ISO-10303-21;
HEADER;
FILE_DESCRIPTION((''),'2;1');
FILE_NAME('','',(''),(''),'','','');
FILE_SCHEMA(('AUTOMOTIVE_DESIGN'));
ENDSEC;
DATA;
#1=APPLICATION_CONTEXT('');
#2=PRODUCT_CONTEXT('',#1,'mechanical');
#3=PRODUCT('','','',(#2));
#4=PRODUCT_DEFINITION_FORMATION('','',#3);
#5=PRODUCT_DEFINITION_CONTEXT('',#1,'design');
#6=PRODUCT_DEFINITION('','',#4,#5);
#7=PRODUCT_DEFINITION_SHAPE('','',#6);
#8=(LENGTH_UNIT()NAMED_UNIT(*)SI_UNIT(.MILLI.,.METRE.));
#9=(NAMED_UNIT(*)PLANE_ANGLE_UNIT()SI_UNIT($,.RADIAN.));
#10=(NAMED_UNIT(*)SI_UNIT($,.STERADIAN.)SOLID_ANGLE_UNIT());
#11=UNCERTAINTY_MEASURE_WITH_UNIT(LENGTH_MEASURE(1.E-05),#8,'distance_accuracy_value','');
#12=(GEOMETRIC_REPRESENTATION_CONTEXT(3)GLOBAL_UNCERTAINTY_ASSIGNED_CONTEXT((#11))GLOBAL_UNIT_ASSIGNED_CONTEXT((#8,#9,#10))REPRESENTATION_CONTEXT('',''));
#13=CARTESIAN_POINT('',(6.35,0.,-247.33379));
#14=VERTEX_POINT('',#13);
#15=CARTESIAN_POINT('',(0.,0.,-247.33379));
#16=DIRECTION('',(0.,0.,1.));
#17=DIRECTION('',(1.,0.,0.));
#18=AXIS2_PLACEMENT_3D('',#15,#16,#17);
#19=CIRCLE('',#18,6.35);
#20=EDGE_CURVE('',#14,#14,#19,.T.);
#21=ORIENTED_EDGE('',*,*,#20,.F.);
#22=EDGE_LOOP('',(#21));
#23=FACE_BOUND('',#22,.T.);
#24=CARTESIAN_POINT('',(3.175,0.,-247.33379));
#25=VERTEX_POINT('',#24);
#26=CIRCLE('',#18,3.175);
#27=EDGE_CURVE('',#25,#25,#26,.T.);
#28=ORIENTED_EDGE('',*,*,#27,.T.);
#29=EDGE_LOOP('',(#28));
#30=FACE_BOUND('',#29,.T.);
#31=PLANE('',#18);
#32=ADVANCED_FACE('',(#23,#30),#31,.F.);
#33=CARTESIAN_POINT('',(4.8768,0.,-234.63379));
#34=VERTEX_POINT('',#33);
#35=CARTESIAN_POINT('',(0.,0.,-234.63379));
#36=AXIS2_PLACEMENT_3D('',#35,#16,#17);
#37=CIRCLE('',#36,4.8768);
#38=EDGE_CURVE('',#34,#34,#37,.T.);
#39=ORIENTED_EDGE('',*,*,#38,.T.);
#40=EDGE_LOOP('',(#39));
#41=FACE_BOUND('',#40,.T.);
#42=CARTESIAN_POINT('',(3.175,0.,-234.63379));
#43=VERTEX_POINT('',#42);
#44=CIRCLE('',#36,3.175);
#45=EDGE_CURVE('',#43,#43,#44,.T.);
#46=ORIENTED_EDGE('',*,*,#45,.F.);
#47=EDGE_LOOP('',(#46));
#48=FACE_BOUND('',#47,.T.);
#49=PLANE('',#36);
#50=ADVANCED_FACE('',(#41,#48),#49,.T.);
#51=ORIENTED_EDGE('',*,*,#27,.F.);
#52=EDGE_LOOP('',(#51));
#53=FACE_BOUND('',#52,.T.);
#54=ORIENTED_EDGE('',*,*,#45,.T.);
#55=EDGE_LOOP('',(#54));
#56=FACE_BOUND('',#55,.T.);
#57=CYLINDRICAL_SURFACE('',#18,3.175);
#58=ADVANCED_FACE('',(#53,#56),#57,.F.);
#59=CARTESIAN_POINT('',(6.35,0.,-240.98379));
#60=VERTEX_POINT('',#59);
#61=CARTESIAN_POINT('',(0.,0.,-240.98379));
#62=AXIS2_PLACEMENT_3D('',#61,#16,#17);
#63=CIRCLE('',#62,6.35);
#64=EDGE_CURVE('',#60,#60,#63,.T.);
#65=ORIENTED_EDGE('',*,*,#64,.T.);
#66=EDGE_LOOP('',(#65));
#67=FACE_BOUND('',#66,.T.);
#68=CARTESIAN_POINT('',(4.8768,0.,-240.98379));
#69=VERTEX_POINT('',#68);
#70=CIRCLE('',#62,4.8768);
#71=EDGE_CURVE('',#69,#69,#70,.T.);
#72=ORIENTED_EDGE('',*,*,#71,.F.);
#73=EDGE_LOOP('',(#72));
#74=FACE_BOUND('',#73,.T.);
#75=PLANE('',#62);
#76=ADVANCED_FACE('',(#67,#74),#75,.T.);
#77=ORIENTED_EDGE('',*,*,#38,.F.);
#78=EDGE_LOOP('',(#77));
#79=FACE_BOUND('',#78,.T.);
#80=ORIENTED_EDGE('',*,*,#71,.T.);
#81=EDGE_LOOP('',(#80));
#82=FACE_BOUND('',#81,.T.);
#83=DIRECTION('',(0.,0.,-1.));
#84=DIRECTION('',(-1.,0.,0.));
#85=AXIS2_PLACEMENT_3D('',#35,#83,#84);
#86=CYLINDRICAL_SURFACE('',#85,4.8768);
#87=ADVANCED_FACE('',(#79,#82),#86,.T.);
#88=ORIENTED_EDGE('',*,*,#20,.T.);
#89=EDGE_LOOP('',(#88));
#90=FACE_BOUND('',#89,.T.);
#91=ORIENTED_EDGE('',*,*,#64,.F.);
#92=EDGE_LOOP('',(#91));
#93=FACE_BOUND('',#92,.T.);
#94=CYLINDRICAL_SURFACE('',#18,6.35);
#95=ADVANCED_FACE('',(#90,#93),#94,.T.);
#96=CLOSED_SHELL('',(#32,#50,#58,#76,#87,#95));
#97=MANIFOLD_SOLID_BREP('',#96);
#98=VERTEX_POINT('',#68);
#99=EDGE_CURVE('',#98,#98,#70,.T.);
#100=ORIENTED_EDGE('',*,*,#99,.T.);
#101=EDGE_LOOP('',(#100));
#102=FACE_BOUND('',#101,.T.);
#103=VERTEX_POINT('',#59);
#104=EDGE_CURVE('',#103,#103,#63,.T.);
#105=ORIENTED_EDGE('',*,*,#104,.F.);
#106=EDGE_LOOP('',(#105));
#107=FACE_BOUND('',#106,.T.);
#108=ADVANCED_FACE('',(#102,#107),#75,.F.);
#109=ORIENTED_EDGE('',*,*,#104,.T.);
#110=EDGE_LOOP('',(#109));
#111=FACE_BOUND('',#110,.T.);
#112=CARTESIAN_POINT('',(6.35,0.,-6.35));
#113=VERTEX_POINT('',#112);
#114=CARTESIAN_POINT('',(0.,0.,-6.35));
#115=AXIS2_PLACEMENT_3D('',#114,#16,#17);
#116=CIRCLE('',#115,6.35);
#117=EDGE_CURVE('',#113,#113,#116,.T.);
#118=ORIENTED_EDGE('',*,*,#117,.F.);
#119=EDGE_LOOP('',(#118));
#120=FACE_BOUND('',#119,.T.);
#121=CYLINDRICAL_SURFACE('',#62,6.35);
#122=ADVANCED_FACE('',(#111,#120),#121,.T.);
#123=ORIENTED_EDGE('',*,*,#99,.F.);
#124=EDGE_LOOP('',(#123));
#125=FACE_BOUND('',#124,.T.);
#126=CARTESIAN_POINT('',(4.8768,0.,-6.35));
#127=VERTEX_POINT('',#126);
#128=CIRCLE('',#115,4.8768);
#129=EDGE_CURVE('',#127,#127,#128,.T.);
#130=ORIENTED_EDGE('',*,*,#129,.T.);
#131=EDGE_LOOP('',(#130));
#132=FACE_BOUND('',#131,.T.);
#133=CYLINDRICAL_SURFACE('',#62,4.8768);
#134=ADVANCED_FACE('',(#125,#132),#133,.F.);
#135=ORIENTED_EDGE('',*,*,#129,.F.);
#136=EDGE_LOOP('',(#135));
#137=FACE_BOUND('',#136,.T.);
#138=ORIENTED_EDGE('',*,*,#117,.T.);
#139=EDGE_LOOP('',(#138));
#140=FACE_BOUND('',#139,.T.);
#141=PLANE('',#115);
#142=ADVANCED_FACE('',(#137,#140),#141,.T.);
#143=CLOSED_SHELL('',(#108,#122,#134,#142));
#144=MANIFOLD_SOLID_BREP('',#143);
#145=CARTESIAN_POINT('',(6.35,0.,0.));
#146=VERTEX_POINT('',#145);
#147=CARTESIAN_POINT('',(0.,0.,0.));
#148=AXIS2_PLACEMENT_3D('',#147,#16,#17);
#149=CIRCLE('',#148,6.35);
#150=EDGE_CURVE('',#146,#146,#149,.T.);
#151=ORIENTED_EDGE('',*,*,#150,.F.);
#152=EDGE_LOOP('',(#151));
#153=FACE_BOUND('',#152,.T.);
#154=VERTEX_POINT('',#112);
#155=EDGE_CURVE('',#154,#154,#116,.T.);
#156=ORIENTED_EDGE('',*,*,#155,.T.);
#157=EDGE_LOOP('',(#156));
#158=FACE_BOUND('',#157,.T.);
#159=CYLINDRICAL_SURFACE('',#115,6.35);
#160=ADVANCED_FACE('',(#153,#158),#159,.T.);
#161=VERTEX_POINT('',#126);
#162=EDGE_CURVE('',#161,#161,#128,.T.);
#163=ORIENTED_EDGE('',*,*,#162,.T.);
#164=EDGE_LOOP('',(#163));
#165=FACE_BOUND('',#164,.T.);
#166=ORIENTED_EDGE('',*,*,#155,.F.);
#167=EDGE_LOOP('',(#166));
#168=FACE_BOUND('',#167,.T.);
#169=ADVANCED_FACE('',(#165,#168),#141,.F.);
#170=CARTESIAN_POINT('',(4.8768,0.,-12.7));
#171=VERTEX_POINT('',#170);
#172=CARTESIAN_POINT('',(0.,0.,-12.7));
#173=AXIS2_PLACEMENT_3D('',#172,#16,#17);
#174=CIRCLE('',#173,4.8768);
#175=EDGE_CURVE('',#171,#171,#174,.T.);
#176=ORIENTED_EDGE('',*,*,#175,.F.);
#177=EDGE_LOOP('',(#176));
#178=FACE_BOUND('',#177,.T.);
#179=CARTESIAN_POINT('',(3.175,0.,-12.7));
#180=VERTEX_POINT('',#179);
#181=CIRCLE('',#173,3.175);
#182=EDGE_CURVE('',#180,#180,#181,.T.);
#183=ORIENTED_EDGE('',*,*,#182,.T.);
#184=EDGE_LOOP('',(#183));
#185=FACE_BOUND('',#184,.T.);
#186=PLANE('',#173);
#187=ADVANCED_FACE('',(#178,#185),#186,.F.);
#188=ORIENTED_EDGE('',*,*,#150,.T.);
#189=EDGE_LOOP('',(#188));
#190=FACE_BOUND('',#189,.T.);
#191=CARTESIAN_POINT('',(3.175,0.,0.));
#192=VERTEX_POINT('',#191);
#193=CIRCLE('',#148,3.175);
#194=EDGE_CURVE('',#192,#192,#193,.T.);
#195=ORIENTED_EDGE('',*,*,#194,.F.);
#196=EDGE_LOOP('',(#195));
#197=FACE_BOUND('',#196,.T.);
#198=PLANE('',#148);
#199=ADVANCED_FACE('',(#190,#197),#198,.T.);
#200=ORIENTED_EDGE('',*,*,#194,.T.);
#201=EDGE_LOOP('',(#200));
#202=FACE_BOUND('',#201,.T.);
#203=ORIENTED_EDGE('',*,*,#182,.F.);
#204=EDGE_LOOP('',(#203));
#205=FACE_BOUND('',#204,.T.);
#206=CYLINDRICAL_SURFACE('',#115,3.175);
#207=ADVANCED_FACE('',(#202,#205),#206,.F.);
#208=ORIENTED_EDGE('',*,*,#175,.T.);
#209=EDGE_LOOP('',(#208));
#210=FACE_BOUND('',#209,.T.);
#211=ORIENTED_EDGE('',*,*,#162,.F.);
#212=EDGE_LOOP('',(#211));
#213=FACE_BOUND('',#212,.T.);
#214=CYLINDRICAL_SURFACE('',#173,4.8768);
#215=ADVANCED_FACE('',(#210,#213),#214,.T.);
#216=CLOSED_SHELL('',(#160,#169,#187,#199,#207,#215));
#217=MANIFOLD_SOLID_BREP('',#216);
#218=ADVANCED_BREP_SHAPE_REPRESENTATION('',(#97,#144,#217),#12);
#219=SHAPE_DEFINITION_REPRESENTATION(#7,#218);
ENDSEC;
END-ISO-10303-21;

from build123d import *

# Parameters (mm, degrees)
SKETCH1_R                 = 6.35
SKETCH1_R_2               = 4.8768
SKETCH1_R_3               = 3.175
THREADED_INSERT_1_1_DEPTH = 6.35
THREADED_START            = -6.35
SKETCH1_3_R               = 4.8768
SKETCH1_3_R_2             = 3.175
THREADED_INSERT_1_2_DEPTH = 6.35
TUBE_START                = -6.35
SKETCH1_4_R               = 6.35
SKETCH1_4_R_2             = 4.8768
TUBE_EXTRUDE_DEPTH        = 234.63379
THREADED_START_2          = -240.98379
SKETCH1_6_R               = 4.8768
SKETCH1_6_R_2             = 3.175
THREADED_INSERT_2_1_DEPTH = 6.35
SKETCH1_9_R               = 6.35
SKETCH1_9_R_2             = 4.8768
SKETCH1_9_R_3             = 3.175
THREADED_INSERT_2_2_DEPTH = 6.35


with BuildPart() as part:
    # Sketch1 → Threaded insert 1-1 (new body)
    # profile 1 of 2: a face of its own
    with BuildSketch(Plane.XY):
        Circle(SKETCH1_R)
        Circle(SKETCH1_R_2, mode=Mode.SUBTRACT)
    # profile 2 of 2: a face of its own
    with BuildSketch(Plane.XY):
        Circle(SKETCH1_R_2)
        Circle(SKETCH1_R_3, mode=Mode.SUBTRACT)
    extrude(amount=-THREADED_INSERT_1_1_DEPTH)

    # Sketch1<3> → Threaded insert 1-2 (add)
    with BuildSketch(Plane.XY.offset(THREADED_START)):
        Circle(SKETCH1_3_R)
        Circle(SKETCH1_3_R_2, mode=Mode.SUBTRACT)
    extrude(amount=-THREADED_INSERT_1_2_DEPTH)


with BuildPart() as body_2:
    # Sketch1<4> → Tube extrude (new body)
    with BuildSketch(Plane.XY.offset(TUBE_START)):
        Circle(SKETCH1_4_R)
        Circle(SKETCH1_4_R_2, mode=Mode.SUBTRACT)
    extrude(amount=-TUBE_EXTRUDE_DEPTH)


with BuildPart() as body_3:
    # Sketch1<6> → Threaded insert 2-1 (new body)
    with BuildSketch(Plane.XY.offset(THREADED_START_2)):
        Circle(SKETCH1_6_R)
        Circle(SKETCH1_6_R_2, mode=Mode.SUBTRACT)
    extrude(amount=THREADED_INSERT_2_1_DEPTH)


with BuildPart() as body_4:
    # Sketch1<9> → Threaded insert 2-2 (new body)
    # profile 1 of 2: a face of its own
    with BuildSketch(Plane.XY.offset(THREADED_START_2)):
        Circle(SKETCH1_9_R)
        Circle(SKETCH1_9_R_2, mode=Mode.SUBTRACT)
    # profile 2 of 2: a face of its own
    with BuildSketch(Plane.XY.offset(THREADED_START_2)):
        Circle(SKETCH1_9_R_2)
        Circle(SKETCH1_9_R_3, mode=Mode.SUBTRACT)
    extrude(amount=-THREADED_INSERT_2_2_DEPTH)

    # Combine1: union body 3
    add(body_3.part)


solid = Compound([part.part, body_2.part, body_4.part])
